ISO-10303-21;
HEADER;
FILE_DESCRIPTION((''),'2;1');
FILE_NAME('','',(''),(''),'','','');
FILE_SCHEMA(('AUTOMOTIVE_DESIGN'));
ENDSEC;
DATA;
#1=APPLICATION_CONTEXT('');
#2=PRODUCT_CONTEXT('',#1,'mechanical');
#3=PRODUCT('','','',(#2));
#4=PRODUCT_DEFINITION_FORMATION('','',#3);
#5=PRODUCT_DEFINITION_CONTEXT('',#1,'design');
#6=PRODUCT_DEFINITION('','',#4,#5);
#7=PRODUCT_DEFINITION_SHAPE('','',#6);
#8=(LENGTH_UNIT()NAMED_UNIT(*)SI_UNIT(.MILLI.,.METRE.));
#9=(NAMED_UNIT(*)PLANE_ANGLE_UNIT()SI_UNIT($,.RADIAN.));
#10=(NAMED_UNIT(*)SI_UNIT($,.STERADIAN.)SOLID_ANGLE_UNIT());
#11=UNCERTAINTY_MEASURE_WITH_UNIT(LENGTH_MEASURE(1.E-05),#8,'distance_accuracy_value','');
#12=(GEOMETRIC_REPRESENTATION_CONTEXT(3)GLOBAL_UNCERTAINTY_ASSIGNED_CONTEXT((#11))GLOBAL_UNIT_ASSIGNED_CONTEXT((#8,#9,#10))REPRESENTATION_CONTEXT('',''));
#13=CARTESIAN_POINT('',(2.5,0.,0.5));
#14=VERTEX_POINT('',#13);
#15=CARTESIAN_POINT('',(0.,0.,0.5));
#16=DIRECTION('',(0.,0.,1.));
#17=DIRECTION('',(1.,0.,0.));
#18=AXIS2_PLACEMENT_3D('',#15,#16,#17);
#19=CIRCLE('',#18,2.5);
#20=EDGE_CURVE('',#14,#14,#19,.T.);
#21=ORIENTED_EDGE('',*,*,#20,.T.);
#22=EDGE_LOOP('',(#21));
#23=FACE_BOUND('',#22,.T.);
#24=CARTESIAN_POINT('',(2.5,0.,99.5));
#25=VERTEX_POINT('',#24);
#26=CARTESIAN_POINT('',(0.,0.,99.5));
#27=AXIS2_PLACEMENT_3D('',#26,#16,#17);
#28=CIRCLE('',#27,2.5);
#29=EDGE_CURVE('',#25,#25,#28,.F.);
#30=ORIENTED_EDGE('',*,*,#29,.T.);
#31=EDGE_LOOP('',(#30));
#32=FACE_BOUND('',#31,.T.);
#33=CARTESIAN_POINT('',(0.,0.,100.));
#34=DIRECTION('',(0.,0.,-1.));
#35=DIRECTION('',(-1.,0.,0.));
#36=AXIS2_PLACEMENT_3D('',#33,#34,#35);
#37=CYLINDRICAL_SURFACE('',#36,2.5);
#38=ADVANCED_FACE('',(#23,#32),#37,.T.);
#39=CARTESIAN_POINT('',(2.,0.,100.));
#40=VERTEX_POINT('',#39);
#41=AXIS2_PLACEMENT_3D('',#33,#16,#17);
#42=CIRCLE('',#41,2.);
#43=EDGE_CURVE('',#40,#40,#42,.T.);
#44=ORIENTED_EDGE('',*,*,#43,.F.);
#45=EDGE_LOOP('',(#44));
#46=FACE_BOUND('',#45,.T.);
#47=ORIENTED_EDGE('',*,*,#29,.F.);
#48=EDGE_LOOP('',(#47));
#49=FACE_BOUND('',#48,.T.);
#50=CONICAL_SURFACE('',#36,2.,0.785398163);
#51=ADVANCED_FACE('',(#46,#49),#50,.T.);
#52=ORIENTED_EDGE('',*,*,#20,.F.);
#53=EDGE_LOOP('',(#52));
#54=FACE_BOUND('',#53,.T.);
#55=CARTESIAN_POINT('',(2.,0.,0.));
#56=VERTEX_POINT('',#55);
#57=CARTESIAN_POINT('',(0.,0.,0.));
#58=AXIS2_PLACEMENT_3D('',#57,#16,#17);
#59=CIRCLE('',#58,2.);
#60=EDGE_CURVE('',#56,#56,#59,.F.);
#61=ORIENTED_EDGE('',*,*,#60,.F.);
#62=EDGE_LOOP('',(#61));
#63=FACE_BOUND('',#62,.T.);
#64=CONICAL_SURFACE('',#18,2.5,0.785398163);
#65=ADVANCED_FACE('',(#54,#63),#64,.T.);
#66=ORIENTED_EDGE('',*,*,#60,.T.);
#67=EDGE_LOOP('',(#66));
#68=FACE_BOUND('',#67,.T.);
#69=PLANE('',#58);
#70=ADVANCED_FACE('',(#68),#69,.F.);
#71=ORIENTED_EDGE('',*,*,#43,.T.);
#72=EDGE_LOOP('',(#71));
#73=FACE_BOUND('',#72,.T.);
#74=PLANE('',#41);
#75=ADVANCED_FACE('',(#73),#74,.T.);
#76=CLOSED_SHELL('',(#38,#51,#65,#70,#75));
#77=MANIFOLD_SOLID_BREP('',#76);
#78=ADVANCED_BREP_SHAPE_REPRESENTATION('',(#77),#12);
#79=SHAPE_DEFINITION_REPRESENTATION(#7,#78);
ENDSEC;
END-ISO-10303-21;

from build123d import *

# Parameters (mm, degrees)
SKIZZE1_R                       = 2.5
AUFSATZ_LINEAR_AUSTRAGEN1_DEPTH = 100
FASE1_SIZE                      = 0.5


with BuildPart() as part:
    # Skizze1 → Aufsatz-Linear austragen1 (new body)
    with BuildSketch(Plane.XY):
        Circle(SKIZZE1_R)
    extrude(amount=AUFSATZ_LINEAR_AUSTRAGEN1_DEPTH)

    # Fase1
    fase1_edges = [part.edges().sort_by_distance(p)[0] for p in [
        (-2.5, 0, 0),
        (-2.5, 0, 100),
    ]]
    chamfer(fase1_edges, length=FASE1_SIZE)


solid = part.part
